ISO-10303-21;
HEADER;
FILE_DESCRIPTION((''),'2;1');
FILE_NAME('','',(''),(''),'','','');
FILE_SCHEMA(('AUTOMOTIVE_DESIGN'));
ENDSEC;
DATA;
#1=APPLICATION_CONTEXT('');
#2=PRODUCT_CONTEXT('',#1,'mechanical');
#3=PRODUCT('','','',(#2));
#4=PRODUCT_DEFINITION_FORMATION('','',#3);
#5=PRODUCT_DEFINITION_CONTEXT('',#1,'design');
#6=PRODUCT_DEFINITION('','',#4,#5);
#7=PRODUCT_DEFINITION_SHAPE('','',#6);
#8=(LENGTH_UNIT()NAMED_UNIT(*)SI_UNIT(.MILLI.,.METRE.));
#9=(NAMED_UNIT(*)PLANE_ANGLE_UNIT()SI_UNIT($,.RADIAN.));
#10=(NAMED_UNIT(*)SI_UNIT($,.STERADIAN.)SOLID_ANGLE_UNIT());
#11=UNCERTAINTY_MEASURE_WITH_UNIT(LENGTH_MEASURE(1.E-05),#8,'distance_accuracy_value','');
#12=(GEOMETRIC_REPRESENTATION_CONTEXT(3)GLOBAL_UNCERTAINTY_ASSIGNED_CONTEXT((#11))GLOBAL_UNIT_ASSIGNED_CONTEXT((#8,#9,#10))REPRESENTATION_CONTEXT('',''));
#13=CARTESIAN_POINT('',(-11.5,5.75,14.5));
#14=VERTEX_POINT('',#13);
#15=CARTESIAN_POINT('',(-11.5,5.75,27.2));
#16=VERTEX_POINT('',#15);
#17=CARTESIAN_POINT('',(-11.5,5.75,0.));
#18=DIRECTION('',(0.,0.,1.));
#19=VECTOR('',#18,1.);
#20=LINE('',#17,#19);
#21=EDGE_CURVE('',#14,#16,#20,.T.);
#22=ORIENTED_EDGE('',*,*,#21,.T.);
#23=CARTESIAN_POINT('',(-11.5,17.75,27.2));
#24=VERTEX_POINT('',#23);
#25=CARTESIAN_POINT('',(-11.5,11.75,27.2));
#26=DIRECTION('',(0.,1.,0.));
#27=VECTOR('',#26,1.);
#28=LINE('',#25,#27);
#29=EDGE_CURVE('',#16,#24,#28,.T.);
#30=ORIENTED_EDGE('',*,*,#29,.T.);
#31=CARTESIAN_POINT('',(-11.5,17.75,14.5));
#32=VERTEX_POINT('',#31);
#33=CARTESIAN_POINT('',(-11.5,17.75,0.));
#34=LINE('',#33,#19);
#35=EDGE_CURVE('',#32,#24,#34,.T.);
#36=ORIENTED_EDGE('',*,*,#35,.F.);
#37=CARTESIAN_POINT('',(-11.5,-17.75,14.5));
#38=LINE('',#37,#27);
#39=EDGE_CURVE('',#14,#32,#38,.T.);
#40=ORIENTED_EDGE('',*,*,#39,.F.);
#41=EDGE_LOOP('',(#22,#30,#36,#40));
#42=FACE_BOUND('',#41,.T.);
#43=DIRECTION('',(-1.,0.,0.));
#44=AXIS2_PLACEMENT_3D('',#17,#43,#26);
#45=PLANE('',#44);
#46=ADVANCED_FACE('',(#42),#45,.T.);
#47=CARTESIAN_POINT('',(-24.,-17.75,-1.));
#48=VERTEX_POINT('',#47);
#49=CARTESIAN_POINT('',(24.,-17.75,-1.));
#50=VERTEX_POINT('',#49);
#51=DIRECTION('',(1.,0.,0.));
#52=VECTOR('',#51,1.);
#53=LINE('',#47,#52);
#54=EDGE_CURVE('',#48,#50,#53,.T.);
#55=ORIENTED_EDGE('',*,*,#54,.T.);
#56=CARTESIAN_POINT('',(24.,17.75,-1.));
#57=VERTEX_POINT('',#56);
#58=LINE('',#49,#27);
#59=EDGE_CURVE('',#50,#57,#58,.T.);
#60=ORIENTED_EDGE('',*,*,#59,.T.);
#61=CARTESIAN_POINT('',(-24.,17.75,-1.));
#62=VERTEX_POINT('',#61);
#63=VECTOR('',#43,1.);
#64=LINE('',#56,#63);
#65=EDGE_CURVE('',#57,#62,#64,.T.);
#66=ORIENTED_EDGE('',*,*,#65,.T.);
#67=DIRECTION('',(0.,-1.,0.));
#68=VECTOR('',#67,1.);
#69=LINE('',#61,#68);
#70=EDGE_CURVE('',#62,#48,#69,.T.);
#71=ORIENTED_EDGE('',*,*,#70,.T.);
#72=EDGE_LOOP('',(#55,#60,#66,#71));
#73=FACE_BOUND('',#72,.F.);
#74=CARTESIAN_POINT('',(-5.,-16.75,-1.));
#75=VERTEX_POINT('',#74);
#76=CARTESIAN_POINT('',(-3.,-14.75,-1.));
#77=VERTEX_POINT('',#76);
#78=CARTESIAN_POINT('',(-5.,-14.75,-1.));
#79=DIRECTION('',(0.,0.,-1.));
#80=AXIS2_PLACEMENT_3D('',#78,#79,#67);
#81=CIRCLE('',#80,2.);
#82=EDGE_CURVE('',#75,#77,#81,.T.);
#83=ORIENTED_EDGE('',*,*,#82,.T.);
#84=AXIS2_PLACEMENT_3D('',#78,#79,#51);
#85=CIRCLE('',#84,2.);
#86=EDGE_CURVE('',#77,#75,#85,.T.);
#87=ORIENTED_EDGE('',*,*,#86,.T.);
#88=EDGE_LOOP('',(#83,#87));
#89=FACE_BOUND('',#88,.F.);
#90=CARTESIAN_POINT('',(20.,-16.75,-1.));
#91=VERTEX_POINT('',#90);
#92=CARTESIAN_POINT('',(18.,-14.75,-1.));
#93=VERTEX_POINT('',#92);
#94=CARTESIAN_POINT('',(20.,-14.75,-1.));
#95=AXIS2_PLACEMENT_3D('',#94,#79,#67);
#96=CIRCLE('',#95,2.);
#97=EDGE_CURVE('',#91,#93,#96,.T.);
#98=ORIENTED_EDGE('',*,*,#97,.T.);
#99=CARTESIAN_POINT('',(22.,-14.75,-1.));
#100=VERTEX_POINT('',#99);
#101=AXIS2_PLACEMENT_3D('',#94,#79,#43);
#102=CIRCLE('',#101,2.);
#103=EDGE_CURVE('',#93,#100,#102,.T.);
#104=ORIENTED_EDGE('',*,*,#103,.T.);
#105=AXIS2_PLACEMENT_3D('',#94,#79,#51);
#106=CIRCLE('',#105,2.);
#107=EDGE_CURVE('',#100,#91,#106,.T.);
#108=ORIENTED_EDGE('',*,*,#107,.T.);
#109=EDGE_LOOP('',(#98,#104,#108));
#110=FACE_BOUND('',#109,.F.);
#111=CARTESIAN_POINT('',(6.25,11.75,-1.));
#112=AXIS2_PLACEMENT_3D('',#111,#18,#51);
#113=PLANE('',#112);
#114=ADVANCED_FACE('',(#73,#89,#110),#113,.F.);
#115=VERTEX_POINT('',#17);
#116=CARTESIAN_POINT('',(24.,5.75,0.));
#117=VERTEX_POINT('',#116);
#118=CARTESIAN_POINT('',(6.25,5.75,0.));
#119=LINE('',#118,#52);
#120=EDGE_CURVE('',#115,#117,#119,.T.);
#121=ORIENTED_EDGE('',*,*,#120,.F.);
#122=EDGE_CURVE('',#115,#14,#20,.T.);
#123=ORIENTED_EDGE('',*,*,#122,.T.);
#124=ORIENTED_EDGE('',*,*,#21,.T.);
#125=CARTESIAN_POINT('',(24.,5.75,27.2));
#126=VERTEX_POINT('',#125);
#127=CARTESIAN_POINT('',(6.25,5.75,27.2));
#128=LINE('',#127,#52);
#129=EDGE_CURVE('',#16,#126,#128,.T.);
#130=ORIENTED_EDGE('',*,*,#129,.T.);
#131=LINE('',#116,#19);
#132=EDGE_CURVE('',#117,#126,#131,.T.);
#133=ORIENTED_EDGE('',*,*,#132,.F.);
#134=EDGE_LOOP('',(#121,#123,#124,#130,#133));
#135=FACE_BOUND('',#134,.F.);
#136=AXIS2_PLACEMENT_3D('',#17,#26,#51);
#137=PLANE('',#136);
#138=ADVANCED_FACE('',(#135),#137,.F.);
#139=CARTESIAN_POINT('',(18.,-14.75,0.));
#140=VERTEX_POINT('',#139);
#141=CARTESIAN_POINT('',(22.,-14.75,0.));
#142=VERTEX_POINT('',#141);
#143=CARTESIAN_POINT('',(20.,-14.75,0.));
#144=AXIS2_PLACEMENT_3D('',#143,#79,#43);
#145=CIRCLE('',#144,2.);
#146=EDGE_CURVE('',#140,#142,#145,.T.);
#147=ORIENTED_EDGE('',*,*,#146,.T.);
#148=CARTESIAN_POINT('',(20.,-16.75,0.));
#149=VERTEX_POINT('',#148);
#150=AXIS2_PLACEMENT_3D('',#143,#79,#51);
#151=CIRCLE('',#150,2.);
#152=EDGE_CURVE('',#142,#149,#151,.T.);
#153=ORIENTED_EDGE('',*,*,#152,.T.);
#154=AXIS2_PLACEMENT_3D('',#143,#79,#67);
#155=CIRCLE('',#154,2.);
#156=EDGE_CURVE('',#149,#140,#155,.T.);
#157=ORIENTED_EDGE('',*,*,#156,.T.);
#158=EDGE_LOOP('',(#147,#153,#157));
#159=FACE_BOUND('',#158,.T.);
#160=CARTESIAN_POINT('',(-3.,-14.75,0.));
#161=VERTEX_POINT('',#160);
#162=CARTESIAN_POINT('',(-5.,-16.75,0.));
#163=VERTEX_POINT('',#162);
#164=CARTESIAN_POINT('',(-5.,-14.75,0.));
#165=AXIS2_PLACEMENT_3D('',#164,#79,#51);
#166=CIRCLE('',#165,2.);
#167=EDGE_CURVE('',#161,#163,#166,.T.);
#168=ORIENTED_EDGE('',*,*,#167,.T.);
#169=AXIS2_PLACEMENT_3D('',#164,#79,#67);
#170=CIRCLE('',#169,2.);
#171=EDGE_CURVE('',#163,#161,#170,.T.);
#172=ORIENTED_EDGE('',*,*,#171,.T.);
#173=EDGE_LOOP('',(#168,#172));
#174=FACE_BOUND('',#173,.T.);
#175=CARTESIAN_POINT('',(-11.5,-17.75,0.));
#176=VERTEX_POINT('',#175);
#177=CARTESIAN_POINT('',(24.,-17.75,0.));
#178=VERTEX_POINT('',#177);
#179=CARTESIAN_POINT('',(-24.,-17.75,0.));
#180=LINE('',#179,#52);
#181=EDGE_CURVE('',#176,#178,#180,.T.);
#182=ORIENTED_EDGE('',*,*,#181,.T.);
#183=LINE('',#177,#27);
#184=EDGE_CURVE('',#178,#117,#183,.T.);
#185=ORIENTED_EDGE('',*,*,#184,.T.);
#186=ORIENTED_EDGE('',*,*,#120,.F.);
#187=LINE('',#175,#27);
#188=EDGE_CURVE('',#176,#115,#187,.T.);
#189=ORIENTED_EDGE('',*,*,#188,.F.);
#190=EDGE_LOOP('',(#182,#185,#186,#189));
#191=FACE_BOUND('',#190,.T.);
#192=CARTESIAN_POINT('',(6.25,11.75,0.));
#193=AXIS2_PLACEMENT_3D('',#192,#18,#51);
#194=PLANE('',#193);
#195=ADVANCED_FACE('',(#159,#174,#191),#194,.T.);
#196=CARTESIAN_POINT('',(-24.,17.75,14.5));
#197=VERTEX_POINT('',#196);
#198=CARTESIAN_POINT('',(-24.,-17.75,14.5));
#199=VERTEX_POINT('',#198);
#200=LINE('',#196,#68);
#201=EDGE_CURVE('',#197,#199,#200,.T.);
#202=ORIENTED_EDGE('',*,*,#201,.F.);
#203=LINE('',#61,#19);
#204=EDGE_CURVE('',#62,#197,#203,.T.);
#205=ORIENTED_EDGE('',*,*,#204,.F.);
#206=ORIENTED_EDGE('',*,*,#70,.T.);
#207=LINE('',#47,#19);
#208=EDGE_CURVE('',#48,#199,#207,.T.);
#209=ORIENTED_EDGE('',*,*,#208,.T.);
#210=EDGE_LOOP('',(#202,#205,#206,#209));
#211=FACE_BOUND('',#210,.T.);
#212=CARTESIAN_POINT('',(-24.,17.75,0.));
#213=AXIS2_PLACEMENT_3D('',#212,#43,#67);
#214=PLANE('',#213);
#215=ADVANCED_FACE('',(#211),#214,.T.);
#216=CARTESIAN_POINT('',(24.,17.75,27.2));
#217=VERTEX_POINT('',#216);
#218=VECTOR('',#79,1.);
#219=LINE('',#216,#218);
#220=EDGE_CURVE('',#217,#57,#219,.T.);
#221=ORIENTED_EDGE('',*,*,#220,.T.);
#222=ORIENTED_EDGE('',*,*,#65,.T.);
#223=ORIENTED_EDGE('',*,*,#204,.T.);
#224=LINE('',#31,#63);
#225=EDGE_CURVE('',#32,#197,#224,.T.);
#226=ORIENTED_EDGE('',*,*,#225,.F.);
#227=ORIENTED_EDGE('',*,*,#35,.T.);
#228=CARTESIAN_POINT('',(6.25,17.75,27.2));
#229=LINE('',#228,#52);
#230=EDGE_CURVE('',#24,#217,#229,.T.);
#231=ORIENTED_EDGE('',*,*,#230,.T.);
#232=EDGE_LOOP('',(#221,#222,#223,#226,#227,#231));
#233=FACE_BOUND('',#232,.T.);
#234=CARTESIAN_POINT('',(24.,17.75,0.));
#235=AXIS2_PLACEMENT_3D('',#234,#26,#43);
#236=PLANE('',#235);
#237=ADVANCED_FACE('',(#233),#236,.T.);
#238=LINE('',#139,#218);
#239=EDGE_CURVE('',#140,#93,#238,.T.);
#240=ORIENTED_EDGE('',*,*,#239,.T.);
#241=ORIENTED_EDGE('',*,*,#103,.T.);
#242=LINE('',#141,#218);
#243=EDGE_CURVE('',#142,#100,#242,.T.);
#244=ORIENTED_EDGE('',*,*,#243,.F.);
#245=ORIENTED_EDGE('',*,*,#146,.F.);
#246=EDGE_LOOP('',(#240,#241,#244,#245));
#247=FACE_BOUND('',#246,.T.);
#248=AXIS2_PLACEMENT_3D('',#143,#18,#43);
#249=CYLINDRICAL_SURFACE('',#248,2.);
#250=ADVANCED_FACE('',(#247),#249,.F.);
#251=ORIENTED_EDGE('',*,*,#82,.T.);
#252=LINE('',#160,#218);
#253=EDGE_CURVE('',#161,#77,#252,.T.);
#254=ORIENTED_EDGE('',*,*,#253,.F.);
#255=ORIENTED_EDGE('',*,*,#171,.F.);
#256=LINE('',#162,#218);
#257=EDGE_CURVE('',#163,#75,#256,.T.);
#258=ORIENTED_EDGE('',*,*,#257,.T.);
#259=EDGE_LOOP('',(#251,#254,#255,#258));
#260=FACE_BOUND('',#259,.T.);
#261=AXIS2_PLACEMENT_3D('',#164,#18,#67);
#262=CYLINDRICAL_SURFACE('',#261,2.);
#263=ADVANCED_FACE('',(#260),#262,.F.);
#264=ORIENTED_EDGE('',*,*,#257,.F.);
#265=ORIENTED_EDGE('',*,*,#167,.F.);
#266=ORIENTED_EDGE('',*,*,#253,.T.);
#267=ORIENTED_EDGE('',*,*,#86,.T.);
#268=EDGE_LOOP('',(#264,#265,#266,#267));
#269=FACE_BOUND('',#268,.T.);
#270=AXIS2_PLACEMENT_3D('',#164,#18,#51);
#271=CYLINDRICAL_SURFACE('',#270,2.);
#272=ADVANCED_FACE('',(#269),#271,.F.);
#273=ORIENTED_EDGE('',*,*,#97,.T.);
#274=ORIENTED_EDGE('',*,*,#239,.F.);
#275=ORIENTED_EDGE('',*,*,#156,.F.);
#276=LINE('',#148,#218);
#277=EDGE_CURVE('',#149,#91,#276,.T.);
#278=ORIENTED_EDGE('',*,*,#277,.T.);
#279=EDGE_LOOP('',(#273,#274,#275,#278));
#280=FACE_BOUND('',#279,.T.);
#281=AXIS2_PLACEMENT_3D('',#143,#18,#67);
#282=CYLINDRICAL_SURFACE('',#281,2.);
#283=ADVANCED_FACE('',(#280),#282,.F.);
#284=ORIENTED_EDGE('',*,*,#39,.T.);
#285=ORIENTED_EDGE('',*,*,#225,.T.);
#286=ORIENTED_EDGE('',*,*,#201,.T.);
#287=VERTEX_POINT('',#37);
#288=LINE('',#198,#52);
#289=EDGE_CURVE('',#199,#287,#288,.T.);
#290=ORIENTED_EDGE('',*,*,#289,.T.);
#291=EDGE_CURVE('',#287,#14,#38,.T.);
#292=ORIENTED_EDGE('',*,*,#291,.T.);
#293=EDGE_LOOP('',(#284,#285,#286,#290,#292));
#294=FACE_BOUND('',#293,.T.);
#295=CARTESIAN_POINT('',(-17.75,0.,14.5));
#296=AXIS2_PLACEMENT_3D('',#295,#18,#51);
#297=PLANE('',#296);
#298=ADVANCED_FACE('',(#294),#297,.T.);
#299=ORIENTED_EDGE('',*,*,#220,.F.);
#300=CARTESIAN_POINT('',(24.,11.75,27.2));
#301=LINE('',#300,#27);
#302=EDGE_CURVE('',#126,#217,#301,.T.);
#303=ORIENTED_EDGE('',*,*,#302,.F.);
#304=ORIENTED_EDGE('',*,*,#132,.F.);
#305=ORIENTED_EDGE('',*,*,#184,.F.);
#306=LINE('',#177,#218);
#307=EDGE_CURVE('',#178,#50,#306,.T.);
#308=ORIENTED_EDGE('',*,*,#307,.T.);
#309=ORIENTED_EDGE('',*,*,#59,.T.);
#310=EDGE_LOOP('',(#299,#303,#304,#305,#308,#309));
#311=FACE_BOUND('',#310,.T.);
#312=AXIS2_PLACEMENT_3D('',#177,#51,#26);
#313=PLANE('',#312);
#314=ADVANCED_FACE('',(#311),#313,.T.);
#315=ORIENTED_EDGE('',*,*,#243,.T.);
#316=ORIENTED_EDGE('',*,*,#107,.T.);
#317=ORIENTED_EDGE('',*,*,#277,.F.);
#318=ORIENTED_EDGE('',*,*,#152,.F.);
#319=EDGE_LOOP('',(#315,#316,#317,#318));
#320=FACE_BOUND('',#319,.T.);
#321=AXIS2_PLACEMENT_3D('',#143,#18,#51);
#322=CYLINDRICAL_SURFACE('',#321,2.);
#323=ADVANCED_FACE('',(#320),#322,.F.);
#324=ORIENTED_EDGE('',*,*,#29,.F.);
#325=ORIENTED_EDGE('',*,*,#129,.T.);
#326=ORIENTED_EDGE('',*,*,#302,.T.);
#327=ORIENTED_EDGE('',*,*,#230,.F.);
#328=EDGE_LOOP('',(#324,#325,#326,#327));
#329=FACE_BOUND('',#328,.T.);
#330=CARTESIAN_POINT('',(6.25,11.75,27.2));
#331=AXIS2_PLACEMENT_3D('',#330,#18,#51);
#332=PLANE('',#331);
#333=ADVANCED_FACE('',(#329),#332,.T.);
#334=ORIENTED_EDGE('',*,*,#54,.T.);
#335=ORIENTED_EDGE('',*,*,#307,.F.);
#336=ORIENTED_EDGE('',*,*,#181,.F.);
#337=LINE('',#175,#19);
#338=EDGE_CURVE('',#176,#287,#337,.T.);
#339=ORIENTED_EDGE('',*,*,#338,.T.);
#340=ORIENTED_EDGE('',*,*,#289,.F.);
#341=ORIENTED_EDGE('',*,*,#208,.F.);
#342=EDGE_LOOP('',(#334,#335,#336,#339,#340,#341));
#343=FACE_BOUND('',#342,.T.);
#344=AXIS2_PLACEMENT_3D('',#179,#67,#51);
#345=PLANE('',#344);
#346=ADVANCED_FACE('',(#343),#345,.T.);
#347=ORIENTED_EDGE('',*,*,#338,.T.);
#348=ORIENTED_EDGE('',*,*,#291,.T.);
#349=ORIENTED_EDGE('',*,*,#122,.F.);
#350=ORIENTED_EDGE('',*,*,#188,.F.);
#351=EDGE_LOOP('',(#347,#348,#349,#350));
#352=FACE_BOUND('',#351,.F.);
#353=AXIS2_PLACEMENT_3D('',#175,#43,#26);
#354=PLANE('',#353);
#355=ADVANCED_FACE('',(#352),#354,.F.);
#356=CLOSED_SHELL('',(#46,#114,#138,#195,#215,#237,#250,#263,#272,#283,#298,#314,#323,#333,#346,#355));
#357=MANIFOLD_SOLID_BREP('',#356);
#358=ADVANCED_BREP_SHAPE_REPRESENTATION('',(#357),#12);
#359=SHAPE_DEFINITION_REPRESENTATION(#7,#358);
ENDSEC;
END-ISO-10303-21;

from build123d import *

# Parameters (mm, degrees)
F1_DEPTH = 14.5
F0_W     = 35.5
F0_H     = 12
F2_DEPTH = 27.2
F3_DEPTH = 1


with BuildPart() as f1:
    # F0 (on Top) → F1 (new body)
    with BuildSketch(Plane.XY):
        Polygon((-24, -17.75), (-11.5, -17.75), (-11.5, -16.75), (-11.5, 5.75), (-11.5, 17.75), (-24, 17.75), align=None)
    extrude(amount=F1_DEPTH)

    # F0 (on Top) → F2 (join)
    with BuildSketch(Plane.XY):
        with Locations((6.25, 11.75)):
            Rectangle(F0_W, F0_H)
    extrude(amount=F2_DEPTH)

    # F0 (on Top) → F3 (join)
    with BuildSketch(Plane.XY):
        with Locations((6.25, 11.75)):
            Rectangle(F0_W, F0_H)
        Polygon((-11.5, -17.75), (24, -17.75), (24, -16.75), (20, -16.75), (-5, -16.75), (-11.5, -16.75), align=None)
        Polygon((-24, -17.75), (-11.5, -17.75), (-11.5, -16.75), (-11.5, 5.75), (-11.5, 17.75), (-24, 17.75), align=None)
        with BuildLine():
            Line((-11.5, 5.75), (-11.5, -16.75))
            Line((-11.5, -16.75), (-5, -16.75))
            ThreePointArc((-5, -16.75), (-6.4142135624, -13.3357864376), (-3, -14.75))
            Line((-3, -14.75), (18, -14.75))
            ThreePointArc((18, -14.75), (20, -12.75), (22, -14.75))
            Line((22, -14.75), (24, -14.75))
            Line((24, -14.75), (24, 5.75))
            Line((24, 5.75), (-11.5, 5.75))
        make_face()
        with BuildLine():
            Line((-5, -16.75), (20, -16.75))
            ThreePointArc((20, -16.75), (18.5857864376, -16.1642135624), (18, -14.75))
            Line((18, -14.75), (-3, -14.75))
            ThreePointArc((-3, -14.75), (-3.5857864376, -16.1642135624), (-5, -16.75))
        make_face()
        with BuildLine():
            Line((20, -16.75), (24, -16.75))
            Line((24, -16.75), (24, -14.75))
            Line((24, -14.75), (22, -14.75))
            ThreePointArc((22, -14.75), (21.4142135624, -16.1642135624), (20, -16.75))
        make_face()
    extrude(amount=-F3_DEPTH)


solid = f1.part
